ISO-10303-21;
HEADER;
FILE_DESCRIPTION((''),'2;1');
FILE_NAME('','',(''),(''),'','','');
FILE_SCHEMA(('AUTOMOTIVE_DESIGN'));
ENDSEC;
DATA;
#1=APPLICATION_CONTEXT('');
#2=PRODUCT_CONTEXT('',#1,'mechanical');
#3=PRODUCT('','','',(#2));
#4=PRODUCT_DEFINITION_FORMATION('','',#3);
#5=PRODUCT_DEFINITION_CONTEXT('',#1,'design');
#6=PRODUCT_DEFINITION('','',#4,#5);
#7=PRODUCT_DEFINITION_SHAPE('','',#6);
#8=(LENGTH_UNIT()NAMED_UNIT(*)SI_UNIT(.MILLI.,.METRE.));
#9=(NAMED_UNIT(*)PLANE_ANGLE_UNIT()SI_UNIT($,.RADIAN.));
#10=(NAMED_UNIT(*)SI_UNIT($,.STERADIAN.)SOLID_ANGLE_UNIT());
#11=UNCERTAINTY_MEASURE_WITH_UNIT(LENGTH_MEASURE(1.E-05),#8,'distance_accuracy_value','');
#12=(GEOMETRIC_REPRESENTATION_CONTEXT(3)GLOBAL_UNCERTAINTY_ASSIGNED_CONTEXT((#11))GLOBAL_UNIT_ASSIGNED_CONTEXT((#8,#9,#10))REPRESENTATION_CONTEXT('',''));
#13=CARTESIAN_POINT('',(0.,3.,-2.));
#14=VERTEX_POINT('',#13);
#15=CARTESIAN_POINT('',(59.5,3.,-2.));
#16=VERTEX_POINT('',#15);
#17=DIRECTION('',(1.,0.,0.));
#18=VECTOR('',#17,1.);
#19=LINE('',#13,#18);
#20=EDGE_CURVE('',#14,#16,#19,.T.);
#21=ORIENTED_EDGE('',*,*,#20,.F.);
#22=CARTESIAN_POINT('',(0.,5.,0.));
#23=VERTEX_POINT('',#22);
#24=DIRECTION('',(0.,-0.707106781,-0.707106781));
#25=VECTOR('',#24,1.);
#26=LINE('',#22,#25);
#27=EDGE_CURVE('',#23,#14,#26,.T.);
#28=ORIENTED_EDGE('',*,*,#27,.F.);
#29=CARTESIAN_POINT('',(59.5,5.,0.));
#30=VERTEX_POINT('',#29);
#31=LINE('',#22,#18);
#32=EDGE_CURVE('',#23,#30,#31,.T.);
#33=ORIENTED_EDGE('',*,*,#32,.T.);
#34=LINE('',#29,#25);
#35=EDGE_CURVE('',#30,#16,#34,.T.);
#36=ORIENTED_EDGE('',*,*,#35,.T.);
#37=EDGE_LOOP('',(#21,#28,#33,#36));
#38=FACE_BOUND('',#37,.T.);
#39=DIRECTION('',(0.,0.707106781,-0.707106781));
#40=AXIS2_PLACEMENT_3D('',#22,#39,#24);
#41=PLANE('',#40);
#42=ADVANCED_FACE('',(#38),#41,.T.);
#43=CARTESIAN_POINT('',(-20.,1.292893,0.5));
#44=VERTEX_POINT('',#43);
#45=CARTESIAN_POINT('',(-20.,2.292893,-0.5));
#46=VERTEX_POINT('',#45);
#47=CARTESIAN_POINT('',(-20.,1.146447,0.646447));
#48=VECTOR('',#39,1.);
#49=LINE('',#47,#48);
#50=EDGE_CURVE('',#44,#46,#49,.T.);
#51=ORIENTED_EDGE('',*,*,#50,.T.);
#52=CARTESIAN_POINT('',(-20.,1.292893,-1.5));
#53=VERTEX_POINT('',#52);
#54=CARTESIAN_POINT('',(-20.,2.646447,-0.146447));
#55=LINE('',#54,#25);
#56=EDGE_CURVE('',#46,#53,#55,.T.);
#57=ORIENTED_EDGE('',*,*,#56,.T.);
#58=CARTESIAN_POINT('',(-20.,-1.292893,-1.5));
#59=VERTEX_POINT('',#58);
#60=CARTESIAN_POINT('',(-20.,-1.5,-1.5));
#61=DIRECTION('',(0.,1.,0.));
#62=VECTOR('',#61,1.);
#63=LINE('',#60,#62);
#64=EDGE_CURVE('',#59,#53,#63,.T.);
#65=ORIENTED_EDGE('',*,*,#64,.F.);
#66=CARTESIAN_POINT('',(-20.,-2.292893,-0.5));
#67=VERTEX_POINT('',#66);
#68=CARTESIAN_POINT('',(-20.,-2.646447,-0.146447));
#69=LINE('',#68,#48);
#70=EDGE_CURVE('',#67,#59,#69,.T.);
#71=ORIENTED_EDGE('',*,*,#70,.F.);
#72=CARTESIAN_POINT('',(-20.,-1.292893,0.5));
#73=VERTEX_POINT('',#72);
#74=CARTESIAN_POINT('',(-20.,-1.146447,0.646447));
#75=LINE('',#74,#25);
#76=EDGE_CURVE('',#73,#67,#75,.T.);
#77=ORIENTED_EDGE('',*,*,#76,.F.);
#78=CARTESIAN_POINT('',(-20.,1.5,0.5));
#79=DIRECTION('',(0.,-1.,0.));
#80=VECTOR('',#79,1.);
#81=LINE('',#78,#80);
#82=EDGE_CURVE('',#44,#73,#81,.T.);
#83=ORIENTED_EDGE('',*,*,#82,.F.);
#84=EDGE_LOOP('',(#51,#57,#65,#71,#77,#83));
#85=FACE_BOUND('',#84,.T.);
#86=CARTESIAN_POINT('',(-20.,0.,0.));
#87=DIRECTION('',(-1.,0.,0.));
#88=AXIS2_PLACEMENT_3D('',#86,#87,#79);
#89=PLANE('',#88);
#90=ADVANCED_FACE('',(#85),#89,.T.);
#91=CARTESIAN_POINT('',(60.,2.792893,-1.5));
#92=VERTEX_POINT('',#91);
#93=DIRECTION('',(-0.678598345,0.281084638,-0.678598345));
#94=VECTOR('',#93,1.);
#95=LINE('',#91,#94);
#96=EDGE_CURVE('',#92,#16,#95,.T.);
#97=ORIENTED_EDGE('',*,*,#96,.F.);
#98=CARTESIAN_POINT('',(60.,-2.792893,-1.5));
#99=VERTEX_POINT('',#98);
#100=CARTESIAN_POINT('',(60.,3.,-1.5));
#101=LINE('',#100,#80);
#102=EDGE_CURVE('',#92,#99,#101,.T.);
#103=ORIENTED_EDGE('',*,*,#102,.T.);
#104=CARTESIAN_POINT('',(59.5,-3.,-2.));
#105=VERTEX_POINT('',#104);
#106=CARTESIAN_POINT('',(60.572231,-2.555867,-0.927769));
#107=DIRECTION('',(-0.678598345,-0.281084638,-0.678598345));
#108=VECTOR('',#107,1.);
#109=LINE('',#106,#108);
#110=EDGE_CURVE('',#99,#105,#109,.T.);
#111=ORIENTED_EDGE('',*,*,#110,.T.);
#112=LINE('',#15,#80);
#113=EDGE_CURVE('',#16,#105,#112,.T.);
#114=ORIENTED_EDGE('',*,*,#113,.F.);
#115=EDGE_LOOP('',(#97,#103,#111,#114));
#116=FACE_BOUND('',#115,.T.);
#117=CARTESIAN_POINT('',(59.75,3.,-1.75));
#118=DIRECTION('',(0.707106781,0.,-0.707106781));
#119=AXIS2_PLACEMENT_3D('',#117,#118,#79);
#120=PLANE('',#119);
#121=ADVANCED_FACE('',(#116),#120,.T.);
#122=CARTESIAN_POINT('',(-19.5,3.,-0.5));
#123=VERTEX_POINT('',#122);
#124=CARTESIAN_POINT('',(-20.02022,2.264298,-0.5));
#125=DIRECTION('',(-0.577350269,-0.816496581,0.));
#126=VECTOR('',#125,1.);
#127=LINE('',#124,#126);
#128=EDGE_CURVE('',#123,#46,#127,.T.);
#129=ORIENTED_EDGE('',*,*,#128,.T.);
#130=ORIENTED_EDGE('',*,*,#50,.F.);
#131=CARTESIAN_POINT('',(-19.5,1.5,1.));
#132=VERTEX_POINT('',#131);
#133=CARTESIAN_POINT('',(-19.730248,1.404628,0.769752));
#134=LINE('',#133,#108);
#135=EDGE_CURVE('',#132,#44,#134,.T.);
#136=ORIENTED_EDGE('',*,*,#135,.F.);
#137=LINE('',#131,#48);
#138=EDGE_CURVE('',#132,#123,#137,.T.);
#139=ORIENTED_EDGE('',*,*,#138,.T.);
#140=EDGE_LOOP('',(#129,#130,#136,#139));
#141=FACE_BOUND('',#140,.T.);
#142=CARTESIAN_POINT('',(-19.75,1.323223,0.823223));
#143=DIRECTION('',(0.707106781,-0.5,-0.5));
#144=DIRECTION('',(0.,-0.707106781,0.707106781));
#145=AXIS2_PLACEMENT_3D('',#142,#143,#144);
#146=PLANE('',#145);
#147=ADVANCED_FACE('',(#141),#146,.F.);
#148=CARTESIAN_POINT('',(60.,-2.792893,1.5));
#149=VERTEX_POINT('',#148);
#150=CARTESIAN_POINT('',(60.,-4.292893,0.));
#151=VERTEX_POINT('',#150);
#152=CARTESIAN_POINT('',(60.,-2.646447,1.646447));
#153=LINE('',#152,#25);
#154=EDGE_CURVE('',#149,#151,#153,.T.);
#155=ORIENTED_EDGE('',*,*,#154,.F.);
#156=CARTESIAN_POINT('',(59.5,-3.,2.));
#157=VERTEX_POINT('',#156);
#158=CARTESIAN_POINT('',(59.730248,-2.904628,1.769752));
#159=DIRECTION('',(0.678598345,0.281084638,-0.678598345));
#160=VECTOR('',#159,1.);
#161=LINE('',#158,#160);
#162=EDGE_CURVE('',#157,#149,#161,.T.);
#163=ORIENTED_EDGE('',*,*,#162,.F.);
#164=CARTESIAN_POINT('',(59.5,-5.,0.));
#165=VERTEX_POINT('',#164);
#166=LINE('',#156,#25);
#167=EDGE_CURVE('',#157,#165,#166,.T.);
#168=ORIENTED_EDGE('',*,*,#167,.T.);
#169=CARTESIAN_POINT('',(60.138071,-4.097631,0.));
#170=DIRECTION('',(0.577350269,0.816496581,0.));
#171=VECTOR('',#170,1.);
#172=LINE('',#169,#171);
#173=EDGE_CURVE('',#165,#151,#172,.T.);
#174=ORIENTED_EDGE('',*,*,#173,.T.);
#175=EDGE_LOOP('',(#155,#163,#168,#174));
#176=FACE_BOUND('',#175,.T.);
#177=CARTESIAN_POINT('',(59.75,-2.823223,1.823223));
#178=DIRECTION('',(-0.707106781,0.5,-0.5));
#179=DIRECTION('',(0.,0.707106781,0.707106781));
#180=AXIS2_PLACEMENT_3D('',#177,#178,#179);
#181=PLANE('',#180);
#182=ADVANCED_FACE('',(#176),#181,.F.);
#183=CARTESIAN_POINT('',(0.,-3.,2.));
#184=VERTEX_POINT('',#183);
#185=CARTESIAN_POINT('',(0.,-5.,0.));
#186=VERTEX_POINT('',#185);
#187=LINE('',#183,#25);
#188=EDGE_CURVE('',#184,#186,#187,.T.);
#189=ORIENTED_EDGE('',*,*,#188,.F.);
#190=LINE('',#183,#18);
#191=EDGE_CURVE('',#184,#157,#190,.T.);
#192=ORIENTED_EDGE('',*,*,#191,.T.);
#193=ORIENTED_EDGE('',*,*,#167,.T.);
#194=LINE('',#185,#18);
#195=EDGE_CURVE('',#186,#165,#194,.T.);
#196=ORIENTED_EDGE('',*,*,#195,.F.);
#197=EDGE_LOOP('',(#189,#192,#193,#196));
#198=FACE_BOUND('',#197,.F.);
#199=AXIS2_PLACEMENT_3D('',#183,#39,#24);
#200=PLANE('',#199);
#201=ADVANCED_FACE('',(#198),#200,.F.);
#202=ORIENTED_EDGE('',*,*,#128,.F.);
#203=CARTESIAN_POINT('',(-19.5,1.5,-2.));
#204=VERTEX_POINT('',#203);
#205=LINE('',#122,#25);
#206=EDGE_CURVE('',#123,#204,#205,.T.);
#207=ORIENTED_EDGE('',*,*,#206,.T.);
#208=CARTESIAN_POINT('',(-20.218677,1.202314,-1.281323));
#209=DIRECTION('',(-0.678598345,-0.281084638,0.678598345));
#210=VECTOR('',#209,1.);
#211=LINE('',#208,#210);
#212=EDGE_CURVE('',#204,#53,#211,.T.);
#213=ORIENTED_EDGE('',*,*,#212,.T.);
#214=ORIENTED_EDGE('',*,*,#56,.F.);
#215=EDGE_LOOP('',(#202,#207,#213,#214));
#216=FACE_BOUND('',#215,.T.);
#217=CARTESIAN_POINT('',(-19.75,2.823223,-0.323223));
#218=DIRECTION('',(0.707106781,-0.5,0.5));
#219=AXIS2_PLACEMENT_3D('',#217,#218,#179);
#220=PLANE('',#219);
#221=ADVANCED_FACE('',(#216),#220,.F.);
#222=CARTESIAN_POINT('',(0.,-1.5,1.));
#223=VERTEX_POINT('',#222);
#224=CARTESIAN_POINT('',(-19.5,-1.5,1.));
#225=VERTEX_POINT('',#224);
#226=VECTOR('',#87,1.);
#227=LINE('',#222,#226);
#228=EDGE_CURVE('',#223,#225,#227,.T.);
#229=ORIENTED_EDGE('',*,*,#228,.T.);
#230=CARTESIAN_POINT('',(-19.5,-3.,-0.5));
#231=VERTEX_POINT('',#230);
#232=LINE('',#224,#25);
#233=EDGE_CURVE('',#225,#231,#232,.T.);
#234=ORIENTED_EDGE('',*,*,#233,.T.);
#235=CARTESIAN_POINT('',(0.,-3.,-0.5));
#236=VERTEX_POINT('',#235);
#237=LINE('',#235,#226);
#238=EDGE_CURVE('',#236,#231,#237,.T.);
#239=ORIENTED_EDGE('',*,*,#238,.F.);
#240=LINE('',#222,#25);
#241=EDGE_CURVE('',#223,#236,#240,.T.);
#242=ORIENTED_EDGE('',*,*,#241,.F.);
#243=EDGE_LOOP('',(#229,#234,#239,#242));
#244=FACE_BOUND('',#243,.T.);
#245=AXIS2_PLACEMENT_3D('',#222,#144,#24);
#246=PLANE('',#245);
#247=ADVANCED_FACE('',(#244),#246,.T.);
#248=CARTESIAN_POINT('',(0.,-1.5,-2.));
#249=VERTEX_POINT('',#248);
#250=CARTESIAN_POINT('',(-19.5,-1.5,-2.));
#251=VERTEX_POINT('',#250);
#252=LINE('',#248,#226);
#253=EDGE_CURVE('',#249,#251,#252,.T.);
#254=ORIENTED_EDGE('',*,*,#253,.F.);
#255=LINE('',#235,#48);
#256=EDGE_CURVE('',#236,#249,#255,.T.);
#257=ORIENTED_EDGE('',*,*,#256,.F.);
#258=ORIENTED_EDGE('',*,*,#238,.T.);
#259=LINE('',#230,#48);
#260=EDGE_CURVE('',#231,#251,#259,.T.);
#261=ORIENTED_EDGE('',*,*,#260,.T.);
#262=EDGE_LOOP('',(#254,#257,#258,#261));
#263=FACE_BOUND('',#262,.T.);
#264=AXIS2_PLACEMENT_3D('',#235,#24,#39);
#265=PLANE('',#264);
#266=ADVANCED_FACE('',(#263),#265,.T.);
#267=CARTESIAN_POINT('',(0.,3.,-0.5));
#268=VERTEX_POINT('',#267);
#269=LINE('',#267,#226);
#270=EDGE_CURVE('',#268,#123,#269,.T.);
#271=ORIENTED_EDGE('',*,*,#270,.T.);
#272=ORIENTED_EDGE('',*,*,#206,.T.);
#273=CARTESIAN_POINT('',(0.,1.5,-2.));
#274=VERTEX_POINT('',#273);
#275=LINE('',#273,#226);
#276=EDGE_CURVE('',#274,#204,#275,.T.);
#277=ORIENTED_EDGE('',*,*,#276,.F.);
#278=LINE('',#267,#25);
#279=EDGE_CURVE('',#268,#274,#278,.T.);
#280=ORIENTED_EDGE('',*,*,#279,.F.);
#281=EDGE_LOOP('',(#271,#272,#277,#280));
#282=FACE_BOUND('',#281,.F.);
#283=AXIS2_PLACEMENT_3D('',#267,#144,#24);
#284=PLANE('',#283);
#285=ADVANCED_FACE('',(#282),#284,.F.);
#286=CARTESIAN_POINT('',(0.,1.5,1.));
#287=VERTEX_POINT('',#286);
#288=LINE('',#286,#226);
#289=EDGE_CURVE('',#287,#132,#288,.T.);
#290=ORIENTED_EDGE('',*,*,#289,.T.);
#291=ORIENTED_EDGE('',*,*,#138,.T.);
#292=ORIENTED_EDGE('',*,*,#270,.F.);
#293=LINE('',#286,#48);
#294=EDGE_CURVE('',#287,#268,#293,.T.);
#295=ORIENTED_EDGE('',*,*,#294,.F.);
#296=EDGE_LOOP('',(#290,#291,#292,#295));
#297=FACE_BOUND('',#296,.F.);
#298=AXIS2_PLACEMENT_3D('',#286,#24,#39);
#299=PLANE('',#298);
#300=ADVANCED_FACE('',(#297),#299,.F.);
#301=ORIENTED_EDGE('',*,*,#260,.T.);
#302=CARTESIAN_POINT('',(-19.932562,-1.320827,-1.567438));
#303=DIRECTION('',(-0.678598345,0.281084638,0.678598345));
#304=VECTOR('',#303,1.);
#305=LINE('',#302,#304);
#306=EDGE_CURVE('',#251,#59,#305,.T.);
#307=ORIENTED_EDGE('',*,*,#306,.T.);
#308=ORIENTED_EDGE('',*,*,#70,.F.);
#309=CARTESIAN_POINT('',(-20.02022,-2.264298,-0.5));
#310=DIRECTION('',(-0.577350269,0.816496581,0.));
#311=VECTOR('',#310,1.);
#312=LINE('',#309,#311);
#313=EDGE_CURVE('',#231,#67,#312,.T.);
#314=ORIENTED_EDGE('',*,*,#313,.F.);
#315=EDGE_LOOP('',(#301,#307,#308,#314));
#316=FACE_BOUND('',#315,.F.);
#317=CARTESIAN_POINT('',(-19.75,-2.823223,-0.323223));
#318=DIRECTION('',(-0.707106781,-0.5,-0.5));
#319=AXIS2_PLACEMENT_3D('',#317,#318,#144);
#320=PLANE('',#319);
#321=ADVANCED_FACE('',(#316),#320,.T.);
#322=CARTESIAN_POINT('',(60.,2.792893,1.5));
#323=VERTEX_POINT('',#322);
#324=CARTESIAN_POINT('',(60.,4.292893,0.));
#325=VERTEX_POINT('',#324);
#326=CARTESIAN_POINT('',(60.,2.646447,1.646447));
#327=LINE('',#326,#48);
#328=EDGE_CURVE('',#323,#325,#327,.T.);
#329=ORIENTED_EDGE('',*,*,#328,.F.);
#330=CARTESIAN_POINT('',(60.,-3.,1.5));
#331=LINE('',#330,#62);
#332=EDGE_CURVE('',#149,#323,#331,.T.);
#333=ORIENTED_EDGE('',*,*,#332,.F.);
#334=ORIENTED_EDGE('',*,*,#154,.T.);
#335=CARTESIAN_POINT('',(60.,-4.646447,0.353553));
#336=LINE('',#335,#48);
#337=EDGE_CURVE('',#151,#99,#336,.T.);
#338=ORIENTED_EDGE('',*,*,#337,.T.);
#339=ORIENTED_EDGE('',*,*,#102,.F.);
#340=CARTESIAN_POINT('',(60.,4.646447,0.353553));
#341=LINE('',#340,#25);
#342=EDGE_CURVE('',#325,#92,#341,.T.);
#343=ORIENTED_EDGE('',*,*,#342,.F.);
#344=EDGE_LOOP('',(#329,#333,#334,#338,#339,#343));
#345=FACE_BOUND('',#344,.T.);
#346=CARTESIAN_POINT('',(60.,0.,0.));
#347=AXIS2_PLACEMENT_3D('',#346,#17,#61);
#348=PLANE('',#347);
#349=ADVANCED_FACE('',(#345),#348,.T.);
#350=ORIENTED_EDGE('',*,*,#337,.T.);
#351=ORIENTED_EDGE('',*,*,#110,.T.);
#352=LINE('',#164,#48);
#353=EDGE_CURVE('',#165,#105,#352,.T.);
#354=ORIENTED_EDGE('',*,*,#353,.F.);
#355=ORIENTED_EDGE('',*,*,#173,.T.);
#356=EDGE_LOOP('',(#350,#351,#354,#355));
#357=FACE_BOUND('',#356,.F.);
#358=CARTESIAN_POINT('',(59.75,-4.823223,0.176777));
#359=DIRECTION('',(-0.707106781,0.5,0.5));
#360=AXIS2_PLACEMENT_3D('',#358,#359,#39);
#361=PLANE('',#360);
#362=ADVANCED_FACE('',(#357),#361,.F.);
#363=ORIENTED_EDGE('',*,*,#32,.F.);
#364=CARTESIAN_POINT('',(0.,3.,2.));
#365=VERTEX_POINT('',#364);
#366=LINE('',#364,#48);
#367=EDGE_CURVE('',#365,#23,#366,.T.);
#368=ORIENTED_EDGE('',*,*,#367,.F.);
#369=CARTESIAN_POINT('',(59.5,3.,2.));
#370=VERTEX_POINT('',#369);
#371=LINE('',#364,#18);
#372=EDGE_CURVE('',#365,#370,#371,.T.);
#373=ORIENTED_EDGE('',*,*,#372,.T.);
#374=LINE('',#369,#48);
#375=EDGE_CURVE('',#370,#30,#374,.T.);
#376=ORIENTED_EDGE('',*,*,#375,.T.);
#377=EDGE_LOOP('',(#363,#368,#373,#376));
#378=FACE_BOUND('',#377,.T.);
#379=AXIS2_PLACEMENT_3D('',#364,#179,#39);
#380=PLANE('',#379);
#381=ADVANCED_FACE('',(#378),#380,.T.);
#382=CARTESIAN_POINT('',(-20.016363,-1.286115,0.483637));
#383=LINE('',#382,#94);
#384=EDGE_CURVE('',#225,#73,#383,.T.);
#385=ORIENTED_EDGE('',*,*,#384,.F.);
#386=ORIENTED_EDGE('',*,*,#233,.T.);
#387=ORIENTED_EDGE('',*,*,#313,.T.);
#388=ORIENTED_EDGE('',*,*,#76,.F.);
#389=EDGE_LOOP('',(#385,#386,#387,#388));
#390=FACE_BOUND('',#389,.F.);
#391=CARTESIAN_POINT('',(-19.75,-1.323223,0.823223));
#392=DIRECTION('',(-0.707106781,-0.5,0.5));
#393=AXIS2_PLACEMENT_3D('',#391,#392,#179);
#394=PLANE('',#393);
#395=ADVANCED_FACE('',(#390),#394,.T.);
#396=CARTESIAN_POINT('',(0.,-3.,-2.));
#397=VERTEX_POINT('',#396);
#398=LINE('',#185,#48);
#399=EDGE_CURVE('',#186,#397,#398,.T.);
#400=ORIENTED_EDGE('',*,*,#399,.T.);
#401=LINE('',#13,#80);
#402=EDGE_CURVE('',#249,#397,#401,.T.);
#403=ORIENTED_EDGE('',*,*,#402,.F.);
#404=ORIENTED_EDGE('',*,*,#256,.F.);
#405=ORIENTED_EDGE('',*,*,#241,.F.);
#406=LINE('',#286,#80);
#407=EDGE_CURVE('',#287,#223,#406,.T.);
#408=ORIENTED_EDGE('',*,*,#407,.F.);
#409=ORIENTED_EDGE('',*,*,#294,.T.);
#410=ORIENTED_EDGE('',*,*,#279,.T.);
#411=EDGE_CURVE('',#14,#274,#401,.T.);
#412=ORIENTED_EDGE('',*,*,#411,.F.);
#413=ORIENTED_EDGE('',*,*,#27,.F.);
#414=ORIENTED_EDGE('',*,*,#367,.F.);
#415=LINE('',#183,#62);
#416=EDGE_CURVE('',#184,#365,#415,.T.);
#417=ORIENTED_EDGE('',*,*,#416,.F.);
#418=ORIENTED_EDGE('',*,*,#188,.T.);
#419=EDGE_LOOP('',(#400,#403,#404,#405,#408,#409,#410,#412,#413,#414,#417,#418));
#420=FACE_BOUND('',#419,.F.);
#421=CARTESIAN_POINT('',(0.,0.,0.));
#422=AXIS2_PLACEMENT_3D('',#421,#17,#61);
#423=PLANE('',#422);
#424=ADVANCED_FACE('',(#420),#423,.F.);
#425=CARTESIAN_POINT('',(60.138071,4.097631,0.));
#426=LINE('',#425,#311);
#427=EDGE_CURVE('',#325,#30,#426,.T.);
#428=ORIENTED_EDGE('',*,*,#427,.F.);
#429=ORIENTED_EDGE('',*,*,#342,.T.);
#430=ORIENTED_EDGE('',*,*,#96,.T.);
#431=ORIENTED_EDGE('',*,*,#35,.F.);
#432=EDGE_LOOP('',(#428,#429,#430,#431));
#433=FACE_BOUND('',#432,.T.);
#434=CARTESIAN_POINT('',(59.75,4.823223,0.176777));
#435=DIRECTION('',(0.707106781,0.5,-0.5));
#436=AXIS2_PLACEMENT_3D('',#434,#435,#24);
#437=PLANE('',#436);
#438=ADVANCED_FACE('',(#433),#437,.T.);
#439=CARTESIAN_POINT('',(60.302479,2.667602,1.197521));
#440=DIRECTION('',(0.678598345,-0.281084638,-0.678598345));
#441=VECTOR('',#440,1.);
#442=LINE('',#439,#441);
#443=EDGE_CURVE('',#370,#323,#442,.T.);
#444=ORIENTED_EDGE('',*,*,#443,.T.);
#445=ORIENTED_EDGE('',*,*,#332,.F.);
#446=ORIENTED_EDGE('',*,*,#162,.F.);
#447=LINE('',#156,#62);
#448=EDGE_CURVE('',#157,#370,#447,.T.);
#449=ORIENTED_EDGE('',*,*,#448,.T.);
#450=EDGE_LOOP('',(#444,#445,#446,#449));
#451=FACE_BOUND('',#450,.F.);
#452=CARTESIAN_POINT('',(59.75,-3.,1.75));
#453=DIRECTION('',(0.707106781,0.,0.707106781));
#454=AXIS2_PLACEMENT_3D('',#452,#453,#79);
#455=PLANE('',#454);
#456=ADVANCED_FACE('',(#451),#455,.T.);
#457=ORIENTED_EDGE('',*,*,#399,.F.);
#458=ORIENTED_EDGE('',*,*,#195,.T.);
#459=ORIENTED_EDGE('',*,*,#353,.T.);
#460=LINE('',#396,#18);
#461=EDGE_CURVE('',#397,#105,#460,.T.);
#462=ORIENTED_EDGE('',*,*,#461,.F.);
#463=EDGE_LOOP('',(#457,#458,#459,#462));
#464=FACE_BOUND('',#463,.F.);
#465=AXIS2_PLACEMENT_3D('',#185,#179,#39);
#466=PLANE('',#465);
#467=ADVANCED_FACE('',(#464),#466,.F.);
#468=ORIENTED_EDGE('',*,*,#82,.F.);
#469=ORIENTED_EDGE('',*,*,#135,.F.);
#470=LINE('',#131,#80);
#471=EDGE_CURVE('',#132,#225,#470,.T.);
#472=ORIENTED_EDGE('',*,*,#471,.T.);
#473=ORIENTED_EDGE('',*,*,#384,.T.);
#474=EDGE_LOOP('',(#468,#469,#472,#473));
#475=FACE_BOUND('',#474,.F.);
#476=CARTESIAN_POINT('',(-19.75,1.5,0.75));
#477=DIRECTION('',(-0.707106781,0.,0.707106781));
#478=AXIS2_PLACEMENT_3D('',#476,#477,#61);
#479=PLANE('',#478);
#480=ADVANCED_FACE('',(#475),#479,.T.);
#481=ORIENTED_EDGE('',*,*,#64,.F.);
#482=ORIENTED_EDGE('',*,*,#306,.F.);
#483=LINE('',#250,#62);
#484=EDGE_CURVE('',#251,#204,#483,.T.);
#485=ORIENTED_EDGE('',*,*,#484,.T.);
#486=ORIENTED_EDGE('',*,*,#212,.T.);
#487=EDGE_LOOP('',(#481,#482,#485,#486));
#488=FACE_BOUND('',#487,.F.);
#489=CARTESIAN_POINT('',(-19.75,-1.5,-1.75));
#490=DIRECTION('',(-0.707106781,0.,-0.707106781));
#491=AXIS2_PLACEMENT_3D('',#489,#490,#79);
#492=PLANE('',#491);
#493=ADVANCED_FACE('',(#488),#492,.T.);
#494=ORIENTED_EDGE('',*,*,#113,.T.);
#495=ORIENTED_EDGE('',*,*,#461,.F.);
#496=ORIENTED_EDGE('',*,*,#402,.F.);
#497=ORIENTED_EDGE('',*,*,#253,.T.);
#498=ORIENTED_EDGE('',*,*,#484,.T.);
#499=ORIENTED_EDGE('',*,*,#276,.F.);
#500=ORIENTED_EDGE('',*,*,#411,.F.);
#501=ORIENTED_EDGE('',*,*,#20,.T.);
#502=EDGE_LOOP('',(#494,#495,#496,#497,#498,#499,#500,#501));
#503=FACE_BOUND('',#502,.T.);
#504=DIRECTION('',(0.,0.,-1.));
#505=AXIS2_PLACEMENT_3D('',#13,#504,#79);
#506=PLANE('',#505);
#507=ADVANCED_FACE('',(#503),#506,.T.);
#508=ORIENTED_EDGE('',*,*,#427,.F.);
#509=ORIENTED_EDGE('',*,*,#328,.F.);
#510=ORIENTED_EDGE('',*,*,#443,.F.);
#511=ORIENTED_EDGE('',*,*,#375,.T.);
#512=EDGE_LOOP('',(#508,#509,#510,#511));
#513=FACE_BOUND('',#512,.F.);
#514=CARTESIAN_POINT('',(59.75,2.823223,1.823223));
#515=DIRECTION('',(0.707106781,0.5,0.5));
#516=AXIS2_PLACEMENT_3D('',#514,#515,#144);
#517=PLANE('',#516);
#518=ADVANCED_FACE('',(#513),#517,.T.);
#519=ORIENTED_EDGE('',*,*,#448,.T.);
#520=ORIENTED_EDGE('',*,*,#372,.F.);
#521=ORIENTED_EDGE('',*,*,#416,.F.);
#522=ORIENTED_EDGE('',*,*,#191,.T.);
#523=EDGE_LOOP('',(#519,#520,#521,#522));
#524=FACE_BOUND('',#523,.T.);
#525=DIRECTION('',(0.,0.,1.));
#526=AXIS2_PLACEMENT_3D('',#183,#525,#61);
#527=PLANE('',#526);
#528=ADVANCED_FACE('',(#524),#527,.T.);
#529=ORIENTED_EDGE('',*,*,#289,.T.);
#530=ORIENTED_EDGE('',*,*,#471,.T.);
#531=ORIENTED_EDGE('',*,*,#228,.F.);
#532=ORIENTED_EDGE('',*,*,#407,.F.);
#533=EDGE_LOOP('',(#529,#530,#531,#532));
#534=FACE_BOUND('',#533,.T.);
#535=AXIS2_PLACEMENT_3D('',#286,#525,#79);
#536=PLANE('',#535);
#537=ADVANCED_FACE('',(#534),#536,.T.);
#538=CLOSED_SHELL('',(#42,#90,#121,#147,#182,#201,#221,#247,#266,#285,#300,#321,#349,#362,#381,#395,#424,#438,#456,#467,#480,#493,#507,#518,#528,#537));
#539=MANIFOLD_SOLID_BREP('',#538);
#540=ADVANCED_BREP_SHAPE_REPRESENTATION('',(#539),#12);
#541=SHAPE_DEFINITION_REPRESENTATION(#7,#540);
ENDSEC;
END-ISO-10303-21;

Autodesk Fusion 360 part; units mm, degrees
sketch "Sketch1" plane through (0, 0, 0) normal (1, 0, 0) x (0, 1, 0)
  line L0 (-3, 2) -> (3, 2)
  line L1 (3, 2) -> (3, -2)
  line L2 (3, -2) -> (-3, -2)
  line L3 (-3, -2) -> (-3, 2)
  line L4 (3, 2) -> (5, 0)
  line L5 (5, 0) -> (3, -2)
  line L6 (-3, 2) -> (-5, 0)
  line L7 (-5, 0) -> (-3, -2)
  line L8 (-3, 2) -> (3, -2) construction
  line L9 (3, 2) -> (-3, -2) construction
  dimension "d1" = 10
  dimension "d2" = 2
  dimension "d3" = 4
extrude "Extrude1" add sketch "Sketch1" along normal blind 60
sketch "Sketch2" plane through (0, 0, 0) normal (-1, 0, 0) x (0, -1, 0)
  line L0 (5, 0) -> (3, 2)
  line L1 (-3, 2) -> (-5, 0)
  line L2 (-5, 0) -> (-3, -2)
  line L3 (3, -2) -> (5, 0)
  line L4 (-1.5, 1) -> (1.5, 1)
  line L5 (1.5, 1) -> (1.5, -2)
  line L6 (1.5, -2) -> (-1.5, -2)
  line L7 (-1.5, -2) -> (-1.5, 1)
  line L8 (1.5, 1) -> (3, -0.5)
  line L9 (3, -0.5) -> (1.5, -2)
  line L10 (-1.5, 1) -> (-3, -0.5)
  line L11 (-3, -0.5) -> (-1.5, -2)
  line L12 (3, 2) -> (-3, 2)
  dimension "d12" = 3
  dimension "d13" = 1.5
  dimension "d14" = 45
  dimension "d15" = 45
  dimension "d16" = 1
extrude "Extrude2" add sketch "Sketch2" along normal blind 20
chamfer "Chamfer1" distance 0.5 angle 45 1 faces at (60, -1, -0.6667)
chamfer "Chamfer3" distance 0.5 angle 45 1 faces at (-20, 0.5, 0)
equation "d13 = d12 / 2"
